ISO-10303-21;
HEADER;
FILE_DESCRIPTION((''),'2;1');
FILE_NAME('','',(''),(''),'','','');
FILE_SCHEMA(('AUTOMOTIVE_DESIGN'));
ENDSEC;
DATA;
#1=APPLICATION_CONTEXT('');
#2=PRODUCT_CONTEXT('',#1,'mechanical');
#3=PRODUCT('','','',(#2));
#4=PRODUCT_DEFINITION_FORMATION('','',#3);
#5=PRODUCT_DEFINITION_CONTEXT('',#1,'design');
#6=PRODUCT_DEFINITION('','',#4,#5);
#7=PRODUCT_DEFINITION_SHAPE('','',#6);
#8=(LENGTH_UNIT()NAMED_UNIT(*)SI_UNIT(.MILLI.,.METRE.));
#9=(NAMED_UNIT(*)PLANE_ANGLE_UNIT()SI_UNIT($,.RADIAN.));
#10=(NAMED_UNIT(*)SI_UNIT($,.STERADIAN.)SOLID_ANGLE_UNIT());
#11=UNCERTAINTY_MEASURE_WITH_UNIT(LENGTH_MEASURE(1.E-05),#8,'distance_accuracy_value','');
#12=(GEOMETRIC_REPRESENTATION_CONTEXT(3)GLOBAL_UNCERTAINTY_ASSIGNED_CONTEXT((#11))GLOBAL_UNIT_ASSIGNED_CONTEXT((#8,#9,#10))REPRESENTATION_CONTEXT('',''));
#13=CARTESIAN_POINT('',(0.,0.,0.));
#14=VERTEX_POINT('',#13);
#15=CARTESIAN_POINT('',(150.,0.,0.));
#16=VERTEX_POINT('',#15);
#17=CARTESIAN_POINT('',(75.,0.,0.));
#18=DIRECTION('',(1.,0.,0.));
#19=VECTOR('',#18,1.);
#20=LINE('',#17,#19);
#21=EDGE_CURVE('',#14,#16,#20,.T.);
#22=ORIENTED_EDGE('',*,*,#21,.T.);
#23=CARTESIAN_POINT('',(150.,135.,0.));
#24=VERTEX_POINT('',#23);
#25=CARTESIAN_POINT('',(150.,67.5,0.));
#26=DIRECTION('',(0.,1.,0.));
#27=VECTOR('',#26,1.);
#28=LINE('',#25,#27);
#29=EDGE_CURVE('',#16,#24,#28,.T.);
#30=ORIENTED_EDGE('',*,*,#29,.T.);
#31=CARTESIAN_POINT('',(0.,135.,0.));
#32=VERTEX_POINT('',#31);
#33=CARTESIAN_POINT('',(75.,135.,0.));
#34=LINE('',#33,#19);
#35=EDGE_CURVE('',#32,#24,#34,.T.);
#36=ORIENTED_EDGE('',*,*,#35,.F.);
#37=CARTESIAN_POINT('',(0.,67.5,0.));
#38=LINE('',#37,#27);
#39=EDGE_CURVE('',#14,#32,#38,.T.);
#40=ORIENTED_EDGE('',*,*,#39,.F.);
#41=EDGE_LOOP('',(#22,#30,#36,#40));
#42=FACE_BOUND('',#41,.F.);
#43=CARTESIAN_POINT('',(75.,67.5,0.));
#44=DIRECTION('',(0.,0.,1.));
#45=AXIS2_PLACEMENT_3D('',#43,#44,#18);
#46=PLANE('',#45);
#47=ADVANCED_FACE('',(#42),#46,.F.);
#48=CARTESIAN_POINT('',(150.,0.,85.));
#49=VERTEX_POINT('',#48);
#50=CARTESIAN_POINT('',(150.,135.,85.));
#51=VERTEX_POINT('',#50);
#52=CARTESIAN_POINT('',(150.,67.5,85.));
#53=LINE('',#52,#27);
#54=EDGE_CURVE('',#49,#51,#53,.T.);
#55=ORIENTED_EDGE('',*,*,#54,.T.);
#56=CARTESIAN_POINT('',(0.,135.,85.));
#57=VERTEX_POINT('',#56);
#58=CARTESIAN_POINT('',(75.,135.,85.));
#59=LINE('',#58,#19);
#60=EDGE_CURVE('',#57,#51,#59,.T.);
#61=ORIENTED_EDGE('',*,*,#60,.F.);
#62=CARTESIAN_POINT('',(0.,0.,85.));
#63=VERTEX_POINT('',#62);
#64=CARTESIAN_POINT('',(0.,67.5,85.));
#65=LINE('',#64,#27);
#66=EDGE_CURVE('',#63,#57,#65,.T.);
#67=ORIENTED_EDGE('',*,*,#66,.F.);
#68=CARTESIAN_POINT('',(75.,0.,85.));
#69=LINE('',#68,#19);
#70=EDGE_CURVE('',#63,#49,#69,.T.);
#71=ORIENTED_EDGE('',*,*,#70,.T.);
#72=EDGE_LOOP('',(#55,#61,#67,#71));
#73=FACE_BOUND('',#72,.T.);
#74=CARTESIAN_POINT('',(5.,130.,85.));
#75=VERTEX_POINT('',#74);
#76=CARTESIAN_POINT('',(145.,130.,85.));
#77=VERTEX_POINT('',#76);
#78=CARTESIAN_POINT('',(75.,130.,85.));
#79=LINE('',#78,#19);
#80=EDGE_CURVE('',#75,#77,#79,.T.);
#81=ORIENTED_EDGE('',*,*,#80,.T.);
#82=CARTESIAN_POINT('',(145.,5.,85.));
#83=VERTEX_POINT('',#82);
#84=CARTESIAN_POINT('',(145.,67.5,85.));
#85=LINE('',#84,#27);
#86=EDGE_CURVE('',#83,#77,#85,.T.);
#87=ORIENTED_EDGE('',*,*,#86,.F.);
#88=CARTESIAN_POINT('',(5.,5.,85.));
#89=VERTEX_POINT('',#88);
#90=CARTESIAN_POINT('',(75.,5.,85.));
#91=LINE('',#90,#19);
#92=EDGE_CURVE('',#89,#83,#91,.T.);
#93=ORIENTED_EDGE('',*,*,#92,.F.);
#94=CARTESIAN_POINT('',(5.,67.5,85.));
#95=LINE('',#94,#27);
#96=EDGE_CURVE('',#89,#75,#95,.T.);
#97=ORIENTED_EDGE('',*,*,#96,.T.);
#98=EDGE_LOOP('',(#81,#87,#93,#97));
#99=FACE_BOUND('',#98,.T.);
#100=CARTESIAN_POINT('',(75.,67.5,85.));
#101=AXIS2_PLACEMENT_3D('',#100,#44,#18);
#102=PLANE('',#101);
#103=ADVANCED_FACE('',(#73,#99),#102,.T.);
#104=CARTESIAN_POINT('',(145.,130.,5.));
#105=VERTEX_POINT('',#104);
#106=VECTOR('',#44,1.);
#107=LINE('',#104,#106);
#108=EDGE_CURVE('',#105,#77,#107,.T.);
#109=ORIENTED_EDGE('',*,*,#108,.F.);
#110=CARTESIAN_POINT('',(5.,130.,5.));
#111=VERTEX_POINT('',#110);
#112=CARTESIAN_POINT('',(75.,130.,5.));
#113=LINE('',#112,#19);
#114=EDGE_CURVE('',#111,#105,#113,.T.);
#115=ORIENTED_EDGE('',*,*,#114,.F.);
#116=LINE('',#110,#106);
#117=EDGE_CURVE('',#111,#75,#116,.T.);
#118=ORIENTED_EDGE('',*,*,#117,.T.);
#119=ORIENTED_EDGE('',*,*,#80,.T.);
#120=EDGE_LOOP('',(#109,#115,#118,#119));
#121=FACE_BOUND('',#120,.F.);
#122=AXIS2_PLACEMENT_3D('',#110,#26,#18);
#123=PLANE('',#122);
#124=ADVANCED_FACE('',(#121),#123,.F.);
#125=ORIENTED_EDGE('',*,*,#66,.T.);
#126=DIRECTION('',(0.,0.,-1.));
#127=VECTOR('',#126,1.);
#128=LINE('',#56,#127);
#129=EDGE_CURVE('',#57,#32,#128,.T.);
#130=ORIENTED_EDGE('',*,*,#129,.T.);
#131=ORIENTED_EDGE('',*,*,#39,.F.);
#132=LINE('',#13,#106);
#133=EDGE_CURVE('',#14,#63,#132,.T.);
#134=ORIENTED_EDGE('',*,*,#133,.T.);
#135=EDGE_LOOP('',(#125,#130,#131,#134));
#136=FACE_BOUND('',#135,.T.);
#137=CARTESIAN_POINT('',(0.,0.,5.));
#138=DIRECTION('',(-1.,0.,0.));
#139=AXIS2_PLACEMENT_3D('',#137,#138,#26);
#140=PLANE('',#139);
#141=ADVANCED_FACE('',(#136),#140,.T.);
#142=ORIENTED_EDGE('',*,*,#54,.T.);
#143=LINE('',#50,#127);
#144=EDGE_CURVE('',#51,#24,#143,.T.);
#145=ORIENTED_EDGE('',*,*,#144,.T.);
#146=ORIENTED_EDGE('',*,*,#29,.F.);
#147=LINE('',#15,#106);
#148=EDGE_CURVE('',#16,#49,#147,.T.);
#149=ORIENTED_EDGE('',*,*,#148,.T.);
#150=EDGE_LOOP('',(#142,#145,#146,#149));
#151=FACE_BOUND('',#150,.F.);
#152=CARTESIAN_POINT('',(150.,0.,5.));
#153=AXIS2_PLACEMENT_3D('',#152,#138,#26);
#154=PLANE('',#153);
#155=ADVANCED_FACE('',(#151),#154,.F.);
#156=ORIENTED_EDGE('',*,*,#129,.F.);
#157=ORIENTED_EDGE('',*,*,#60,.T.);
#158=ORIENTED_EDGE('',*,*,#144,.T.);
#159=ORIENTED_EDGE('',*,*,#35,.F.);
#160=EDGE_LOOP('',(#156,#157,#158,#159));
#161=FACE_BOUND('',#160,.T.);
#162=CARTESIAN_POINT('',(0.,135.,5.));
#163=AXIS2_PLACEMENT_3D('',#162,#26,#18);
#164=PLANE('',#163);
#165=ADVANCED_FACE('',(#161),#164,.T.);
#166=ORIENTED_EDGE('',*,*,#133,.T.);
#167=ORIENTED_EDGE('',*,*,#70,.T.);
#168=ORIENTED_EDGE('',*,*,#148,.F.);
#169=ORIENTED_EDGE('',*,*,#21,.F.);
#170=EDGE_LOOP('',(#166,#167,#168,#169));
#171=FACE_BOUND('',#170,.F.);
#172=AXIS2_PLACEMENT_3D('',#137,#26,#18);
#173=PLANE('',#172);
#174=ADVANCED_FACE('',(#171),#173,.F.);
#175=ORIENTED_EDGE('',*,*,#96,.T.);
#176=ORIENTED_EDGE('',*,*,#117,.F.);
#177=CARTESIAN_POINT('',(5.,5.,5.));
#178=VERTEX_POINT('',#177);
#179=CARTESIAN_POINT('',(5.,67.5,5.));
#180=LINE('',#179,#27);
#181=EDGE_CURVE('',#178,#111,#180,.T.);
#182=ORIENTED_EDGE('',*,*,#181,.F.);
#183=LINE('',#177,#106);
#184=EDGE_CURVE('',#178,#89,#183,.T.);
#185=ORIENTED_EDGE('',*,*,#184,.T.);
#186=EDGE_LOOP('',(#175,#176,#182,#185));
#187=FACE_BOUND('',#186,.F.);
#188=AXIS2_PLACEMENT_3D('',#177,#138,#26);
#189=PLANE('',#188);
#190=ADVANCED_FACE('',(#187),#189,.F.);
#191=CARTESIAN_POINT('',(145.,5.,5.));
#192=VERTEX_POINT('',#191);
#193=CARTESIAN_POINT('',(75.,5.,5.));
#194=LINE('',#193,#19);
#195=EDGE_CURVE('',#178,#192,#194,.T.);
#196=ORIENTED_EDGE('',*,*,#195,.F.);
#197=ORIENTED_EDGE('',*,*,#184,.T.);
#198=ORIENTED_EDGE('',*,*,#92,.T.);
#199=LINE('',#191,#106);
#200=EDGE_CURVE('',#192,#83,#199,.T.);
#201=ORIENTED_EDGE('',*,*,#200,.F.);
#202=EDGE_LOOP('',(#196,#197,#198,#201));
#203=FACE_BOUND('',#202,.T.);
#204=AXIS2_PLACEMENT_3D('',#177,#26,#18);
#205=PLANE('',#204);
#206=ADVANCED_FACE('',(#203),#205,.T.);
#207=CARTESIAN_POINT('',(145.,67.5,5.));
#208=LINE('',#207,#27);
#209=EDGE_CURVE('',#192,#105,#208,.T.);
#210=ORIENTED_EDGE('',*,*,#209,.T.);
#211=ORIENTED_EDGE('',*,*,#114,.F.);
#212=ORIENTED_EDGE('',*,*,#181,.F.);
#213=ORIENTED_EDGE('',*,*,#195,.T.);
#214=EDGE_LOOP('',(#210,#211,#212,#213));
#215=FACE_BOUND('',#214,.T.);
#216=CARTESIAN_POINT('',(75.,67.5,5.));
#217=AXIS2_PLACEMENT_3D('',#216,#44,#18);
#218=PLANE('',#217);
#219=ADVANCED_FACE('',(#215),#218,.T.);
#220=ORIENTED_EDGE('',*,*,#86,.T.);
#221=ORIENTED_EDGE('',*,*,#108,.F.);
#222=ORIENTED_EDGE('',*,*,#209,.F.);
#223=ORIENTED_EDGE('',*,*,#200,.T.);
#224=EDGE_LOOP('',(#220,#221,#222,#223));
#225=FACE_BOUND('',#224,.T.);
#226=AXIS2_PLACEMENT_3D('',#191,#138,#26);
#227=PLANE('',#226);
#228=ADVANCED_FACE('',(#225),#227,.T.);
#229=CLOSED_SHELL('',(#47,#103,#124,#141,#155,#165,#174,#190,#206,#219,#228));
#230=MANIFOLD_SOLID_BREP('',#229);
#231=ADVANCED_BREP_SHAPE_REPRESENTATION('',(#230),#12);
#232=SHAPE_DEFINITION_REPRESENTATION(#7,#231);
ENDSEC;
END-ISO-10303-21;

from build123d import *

# Parameters (mm, degrees)
SKETCH004_W   = 150
SKETCH004_H   = 135
PAD003_DEPTH  = 5
SKETCH005_W   = 150
SKETCH005_H   = 135
SKETCH005_W_2 = 140
SKETCH005_H_2 = 125
PAD004_DEPTH  = 80


with BuildPart() as part:
    # Sketch004 → Pad003 (new body)
    with BuildSketch(Plane.XY):
        with Locations((75, 67.5)):
            Rectangle(SKETCH004_W, SKETCH004_H)
    extrude(amount=PAD003_DEPTH)

    # Sketch005 → Pad004 (new body)
    with BuildSketch(Plane.XY.offset(5)):
        with Locations((75, 67.5)):
            Rectangle(SKETCH005_W, SKETCH005_H)
        with Locations((75, 67.5)):
            Rectangle(SKETCH005_W_2, SKETCH005_H_2, mode=Mode.SUBTRACT)
    extrude(amount=PAD004_DEPTH)


solid = part.part
